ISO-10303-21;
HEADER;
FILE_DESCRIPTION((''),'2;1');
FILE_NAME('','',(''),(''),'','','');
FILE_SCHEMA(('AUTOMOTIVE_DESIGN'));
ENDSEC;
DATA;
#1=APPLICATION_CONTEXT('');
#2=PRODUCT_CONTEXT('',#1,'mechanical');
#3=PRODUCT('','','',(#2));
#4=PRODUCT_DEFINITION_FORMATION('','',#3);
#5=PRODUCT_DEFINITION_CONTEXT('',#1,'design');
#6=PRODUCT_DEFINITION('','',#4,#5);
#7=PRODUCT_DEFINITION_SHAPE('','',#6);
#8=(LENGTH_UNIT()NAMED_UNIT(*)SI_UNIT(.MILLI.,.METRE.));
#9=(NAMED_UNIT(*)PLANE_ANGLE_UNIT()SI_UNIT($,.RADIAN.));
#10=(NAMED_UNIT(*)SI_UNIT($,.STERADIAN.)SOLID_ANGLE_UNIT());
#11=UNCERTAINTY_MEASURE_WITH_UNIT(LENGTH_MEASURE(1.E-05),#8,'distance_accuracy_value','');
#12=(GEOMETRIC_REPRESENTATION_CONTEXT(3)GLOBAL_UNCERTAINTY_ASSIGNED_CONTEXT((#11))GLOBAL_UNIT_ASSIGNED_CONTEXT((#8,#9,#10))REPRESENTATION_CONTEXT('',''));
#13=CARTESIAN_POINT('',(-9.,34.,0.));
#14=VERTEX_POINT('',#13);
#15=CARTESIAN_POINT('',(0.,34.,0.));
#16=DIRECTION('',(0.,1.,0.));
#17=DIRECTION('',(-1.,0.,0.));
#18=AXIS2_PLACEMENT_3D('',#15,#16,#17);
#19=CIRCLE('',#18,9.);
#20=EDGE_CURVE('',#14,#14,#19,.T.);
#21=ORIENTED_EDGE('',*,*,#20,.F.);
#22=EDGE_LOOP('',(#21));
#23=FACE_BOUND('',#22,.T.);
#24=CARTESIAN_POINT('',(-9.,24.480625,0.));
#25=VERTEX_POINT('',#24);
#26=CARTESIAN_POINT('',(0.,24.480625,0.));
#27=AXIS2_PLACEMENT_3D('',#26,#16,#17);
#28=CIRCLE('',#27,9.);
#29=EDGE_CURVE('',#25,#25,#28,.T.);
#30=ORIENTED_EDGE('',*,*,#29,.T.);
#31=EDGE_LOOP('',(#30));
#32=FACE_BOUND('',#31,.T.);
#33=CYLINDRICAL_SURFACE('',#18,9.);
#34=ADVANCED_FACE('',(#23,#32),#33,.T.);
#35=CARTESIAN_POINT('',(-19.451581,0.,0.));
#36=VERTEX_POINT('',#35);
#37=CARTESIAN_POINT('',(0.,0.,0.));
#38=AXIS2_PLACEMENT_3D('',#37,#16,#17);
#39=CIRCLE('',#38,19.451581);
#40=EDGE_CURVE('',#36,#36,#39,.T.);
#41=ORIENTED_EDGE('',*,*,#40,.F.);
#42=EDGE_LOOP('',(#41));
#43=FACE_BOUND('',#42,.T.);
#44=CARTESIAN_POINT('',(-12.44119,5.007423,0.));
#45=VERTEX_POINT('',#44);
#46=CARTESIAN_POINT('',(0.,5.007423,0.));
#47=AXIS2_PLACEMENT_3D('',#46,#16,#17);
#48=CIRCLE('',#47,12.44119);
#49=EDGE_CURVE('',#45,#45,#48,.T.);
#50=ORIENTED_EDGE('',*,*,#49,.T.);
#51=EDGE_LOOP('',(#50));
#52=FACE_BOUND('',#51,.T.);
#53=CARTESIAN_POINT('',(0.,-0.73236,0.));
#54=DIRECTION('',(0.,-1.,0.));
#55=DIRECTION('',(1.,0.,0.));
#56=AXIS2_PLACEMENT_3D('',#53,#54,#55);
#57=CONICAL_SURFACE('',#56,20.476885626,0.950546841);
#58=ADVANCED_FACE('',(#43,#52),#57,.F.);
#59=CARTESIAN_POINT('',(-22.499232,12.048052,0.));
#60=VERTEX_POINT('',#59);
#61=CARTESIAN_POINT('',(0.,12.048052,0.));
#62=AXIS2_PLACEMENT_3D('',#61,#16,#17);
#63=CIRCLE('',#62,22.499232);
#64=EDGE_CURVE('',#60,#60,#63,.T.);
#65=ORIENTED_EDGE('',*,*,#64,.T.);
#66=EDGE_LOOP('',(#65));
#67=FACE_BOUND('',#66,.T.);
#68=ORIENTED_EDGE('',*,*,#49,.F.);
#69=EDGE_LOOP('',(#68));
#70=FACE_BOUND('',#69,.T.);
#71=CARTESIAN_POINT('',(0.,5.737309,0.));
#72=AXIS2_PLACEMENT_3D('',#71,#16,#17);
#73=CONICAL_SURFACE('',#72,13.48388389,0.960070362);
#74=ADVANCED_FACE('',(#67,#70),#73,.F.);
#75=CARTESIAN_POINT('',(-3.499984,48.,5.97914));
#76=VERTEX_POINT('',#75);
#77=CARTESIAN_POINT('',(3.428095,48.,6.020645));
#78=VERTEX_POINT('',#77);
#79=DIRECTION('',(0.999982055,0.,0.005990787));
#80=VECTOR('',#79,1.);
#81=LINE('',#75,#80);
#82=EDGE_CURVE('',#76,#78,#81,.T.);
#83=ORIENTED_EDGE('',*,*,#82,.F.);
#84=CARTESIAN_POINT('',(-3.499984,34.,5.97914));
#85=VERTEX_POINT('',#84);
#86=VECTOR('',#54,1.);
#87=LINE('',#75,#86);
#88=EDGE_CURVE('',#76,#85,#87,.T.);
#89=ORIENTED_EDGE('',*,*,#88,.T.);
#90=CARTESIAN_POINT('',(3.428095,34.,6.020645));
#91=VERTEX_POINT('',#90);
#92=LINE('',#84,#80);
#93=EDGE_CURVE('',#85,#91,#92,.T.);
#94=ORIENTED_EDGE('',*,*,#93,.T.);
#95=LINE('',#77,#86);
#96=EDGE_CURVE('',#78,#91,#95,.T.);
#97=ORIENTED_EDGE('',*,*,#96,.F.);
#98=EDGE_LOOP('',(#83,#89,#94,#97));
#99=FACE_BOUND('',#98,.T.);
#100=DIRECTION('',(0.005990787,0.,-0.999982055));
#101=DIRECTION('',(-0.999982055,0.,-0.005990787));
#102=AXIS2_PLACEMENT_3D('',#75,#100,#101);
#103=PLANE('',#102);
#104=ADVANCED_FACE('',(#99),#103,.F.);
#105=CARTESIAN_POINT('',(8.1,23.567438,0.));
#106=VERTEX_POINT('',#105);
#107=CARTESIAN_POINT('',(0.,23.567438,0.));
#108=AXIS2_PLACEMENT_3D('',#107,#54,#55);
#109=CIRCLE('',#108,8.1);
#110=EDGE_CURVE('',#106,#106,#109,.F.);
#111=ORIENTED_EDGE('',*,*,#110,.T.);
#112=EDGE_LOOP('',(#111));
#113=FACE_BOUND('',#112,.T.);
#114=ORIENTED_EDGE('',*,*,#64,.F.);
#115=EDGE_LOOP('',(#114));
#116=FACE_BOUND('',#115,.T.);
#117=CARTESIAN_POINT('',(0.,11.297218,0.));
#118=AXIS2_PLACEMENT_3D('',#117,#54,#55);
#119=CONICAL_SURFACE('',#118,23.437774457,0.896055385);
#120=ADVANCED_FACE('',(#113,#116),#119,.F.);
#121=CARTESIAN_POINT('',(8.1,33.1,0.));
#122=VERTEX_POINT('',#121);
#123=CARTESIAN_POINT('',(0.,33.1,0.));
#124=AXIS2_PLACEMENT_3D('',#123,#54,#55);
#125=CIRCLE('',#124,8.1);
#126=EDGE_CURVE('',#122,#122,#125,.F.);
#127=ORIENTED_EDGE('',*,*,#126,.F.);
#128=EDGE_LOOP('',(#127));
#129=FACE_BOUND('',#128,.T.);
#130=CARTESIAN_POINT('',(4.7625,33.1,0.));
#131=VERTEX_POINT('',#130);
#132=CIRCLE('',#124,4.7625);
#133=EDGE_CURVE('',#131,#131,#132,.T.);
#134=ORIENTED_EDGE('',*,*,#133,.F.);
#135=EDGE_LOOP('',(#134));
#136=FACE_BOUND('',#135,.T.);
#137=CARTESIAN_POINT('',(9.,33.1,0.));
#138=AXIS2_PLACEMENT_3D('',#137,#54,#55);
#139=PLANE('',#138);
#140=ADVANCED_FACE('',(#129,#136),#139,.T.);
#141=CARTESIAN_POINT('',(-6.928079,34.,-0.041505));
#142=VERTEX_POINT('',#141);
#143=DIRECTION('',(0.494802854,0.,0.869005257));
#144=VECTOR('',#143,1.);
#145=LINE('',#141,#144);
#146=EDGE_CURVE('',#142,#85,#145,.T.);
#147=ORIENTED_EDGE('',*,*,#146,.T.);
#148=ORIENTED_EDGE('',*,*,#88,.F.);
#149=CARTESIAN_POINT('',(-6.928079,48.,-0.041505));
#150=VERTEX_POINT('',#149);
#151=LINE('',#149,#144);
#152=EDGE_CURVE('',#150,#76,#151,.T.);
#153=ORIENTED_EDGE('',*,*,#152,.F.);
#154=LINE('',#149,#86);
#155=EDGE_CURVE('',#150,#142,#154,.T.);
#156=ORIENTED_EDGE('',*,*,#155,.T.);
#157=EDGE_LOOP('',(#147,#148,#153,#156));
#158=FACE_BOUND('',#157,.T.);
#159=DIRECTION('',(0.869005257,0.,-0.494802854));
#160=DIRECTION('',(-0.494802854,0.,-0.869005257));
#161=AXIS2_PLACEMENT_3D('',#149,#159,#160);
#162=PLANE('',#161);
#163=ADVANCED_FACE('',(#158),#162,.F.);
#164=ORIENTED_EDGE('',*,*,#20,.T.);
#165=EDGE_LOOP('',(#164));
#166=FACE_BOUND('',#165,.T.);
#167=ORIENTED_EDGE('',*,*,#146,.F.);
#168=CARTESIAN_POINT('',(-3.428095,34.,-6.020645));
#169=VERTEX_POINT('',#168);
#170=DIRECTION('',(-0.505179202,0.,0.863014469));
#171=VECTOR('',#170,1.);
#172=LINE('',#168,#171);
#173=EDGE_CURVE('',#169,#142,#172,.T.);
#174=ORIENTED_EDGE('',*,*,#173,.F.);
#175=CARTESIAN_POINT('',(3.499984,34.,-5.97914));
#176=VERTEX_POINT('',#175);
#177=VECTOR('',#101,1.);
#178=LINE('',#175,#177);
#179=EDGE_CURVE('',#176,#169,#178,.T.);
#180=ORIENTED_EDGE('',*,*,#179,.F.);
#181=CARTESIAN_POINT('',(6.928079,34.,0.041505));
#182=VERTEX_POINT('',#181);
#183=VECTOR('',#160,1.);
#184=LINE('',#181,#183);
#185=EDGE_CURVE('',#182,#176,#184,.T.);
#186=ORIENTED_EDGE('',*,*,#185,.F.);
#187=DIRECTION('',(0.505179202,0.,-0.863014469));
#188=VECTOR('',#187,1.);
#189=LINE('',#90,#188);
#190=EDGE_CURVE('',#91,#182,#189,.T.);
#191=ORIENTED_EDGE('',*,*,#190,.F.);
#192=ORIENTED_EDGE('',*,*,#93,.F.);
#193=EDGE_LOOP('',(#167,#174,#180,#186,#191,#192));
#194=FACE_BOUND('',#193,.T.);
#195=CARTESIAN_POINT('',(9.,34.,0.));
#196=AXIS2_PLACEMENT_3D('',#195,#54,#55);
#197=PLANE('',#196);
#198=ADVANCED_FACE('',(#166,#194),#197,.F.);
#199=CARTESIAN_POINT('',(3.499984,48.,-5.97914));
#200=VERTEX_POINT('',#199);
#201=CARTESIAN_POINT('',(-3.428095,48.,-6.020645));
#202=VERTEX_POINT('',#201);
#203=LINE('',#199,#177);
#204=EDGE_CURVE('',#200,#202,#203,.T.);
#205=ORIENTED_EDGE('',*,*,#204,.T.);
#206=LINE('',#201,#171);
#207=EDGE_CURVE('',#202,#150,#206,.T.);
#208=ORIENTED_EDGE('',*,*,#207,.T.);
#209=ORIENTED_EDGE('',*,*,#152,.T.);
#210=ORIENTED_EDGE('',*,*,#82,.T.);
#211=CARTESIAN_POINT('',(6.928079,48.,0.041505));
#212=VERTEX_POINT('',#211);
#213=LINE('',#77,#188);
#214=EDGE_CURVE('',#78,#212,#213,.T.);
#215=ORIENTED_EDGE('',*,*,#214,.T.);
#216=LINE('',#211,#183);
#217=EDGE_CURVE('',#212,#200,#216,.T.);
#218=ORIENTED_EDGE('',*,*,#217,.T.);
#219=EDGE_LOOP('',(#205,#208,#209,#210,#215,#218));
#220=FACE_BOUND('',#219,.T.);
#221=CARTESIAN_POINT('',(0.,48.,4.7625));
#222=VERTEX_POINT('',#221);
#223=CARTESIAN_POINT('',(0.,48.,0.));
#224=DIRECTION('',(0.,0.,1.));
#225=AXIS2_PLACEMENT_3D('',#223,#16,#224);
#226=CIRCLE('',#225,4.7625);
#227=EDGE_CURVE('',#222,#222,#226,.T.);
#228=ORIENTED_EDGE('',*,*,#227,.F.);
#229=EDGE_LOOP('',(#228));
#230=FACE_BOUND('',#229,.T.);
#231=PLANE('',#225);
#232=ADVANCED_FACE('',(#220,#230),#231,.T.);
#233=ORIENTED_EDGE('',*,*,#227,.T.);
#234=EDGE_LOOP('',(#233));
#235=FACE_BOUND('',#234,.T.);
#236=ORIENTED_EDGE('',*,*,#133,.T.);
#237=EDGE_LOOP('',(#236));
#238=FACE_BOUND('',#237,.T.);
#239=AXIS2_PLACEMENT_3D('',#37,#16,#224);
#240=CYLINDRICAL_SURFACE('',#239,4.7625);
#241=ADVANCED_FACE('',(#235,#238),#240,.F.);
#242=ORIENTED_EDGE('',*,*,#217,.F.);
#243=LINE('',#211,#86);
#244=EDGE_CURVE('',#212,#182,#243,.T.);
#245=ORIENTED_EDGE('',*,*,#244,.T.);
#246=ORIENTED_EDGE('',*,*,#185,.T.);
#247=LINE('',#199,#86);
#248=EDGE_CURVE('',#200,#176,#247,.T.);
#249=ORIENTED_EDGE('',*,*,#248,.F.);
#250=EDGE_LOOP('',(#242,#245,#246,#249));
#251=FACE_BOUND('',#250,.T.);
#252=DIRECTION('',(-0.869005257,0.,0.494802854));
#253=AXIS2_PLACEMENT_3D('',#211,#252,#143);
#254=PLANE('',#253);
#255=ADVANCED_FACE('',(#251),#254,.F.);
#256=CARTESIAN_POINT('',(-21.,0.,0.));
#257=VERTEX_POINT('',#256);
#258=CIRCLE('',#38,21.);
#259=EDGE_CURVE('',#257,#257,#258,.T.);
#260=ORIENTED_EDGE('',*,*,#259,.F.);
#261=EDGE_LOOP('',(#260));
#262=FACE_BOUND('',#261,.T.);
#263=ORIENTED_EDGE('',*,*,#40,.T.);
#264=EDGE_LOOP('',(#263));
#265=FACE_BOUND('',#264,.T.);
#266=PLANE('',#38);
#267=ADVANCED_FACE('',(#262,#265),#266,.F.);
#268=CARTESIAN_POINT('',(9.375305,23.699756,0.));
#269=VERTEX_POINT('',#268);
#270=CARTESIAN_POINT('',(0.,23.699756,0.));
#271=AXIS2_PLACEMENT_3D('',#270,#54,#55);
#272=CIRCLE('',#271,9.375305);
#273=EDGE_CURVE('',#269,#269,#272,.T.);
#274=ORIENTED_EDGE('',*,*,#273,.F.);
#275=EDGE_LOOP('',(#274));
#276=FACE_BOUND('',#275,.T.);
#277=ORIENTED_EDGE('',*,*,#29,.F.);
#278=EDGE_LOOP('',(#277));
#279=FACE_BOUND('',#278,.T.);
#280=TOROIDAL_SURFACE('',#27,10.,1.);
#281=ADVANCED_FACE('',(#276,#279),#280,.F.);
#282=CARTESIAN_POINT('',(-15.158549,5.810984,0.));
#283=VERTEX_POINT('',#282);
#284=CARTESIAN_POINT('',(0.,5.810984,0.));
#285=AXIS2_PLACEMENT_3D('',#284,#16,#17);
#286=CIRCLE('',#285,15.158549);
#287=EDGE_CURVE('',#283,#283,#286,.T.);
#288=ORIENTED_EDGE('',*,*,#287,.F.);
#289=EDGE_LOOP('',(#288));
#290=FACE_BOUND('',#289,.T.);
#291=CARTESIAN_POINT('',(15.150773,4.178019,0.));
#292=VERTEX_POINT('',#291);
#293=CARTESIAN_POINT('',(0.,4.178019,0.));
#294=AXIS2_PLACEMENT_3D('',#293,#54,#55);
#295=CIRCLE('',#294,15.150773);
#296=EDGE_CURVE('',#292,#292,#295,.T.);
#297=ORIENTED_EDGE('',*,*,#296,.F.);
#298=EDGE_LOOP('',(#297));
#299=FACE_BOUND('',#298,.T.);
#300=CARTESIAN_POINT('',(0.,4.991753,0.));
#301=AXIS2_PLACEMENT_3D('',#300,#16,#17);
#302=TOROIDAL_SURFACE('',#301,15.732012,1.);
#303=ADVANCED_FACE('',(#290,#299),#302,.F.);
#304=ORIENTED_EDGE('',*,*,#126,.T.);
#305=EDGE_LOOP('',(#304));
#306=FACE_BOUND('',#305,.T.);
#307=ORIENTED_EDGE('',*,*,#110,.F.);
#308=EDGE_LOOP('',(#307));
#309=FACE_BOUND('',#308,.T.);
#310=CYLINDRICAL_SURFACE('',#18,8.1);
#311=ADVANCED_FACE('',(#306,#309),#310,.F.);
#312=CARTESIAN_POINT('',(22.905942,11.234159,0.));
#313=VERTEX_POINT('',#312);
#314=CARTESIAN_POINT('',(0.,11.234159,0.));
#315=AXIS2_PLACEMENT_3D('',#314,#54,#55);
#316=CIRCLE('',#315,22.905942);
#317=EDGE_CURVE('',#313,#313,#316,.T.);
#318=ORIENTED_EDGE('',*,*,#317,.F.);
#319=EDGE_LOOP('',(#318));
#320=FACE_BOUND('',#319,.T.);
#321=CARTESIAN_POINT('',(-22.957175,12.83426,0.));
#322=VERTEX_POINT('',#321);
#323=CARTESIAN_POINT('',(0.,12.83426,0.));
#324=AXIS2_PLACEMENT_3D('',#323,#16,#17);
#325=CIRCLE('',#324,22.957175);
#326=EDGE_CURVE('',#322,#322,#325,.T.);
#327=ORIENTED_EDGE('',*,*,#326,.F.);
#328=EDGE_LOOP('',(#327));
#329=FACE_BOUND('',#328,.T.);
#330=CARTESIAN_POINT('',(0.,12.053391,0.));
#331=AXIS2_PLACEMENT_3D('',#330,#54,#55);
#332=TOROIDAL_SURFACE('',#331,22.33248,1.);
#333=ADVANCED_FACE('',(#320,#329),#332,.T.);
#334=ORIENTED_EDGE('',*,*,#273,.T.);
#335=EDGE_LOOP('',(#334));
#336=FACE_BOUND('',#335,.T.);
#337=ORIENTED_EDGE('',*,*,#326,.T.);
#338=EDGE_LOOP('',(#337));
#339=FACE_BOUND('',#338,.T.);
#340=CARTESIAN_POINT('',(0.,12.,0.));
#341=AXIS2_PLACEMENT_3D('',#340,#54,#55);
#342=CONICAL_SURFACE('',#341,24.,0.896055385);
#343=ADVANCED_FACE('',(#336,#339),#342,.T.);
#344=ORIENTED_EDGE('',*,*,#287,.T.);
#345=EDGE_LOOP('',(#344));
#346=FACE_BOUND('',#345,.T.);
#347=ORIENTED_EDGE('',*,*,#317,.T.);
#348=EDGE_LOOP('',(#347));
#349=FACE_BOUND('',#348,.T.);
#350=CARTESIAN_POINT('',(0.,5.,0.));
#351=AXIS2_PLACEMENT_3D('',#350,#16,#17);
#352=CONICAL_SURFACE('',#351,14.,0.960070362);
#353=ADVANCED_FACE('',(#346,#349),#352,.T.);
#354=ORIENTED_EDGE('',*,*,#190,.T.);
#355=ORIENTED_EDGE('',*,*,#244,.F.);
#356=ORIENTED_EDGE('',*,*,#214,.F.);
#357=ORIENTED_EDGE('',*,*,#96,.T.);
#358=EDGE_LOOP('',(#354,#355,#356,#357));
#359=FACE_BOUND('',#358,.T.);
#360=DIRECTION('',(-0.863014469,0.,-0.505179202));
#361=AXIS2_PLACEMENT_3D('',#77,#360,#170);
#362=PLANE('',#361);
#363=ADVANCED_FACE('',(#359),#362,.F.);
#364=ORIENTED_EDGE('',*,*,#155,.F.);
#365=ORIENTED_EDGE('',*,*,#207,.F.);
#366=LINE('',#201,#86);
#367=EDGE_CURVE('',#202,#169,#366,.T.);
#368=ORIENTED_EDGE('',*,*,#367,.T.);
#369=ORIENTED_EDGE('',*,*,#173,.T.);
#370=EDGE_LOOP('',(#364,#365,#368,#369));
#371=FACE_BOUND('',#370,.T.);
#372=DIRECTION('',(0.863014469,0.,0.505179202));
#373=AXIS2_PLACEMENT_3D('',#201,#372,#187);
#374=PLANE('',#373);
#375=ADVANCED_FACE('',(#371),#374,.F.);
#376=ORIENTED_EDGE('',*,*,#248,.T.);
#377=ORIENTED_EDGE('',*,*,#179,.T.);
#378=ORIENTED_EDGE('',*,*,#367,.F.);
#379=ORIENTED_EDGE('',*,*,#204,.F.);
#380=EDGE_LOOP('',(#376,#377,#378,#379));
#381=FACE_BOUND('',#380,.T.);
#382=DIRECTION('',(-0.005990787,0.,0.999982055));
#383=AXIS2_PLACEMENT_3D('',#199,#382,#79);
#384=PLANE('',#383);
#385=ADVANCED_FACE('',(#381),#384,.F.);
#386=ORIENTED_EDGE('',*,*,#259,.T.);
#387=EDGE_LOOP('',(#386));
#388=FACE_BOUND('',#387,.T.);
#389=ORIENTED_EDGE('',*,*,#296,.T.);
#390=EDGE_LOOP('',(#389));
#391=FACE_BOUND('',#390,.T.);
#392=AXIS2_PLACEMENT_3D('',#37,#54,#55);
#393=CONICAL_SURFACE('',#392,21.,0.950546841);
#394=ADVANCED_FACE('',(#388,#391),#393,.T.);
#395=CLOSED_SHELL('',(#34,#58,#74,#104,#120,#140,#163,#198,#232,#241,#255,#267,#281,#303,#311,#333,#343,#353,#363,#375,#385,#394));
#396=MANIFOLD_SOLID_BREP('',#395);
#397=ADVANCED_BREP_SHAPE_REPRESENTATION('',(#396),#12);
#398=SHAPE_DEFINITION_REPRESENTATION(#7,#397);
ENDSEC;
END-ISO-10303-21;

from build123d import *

# Parameters (mm, degrees)
CASCA1_T                 = -0.9
FILETE1_R                = 1
RESSALTO_EXTRUS_O1_DEPTH = 14
ESBO_O3_R                = 4.7625
CORTE_EXTRUS_O1_DEPTH    = 59.247826304


with BuildPart() as part:
    # Esboço1 → Revolução1 (revolve)
    with BuildSketch(Plane.XY, mode=Mode.PRIVATE) as revolu_o1_sk:
        Polygon((0, 0), (21, 0), (14, 5), (24, 12), (9, 24), (9, 34), (0, 34), align=None)
    revolve(revolu_o1_sk.sketch.rotate(Axis((0, 34, 0), (0, -1, 0)), 180), axis=Axis((0, 34, 0), (0, -1, 0)))

    # Casca1
    casca1_openings = [part.faces().sort_by_distance(p)[0] for p in [
        (0, 0, 0),
    ]]
    offset(amount=CASCA1_T, openings=casca1_openings, kind=Kind.INTERSECTION)

    # Filete1
    filete1_edges = [part.edges().sort_by_distance(p)[0] for p in [
        (9, 24, 0),
        (24, 12, 0),
        (14, 5, 0),
    ]]
    fillet(filete1_edges, radius=FILETE1_R)

    # Esboço2 → Ressalto-extrusão1 (add)
    with BuildSketch(Plane(origin=(0, 34, 0), x_dir=(1, 0, 0), z_dir=(0, 1, 0))):
        Polygon((3.499984176, 5.979139634), (-3.428094728, 6.020645027), (-6.928078904, 0.041505392), (-3.499984176, -5.979139634), (3.428094728, -6.020645027), (6.928078904, -0.041505392), align=None)
    extrude(amount=RESSALTO_EXTRUS_O1_DEPTH)

    # Esboço3 → Corte-extrusão1 (cut, through all)
    with BuildSketch(Plane(origin=(0, 48, 0), x_dir=(1, 0, 0), z_dir=(0, 1, 0))):
        with Locations(Location((0, 0, 0), (0, 0, 270))):
            Circle(ESBO_O3_R)
    extrude(amount=-CORTE_EXTRUS_O1_DEPTH, mode=Mode.SUBTRACT)


solid = part.part
